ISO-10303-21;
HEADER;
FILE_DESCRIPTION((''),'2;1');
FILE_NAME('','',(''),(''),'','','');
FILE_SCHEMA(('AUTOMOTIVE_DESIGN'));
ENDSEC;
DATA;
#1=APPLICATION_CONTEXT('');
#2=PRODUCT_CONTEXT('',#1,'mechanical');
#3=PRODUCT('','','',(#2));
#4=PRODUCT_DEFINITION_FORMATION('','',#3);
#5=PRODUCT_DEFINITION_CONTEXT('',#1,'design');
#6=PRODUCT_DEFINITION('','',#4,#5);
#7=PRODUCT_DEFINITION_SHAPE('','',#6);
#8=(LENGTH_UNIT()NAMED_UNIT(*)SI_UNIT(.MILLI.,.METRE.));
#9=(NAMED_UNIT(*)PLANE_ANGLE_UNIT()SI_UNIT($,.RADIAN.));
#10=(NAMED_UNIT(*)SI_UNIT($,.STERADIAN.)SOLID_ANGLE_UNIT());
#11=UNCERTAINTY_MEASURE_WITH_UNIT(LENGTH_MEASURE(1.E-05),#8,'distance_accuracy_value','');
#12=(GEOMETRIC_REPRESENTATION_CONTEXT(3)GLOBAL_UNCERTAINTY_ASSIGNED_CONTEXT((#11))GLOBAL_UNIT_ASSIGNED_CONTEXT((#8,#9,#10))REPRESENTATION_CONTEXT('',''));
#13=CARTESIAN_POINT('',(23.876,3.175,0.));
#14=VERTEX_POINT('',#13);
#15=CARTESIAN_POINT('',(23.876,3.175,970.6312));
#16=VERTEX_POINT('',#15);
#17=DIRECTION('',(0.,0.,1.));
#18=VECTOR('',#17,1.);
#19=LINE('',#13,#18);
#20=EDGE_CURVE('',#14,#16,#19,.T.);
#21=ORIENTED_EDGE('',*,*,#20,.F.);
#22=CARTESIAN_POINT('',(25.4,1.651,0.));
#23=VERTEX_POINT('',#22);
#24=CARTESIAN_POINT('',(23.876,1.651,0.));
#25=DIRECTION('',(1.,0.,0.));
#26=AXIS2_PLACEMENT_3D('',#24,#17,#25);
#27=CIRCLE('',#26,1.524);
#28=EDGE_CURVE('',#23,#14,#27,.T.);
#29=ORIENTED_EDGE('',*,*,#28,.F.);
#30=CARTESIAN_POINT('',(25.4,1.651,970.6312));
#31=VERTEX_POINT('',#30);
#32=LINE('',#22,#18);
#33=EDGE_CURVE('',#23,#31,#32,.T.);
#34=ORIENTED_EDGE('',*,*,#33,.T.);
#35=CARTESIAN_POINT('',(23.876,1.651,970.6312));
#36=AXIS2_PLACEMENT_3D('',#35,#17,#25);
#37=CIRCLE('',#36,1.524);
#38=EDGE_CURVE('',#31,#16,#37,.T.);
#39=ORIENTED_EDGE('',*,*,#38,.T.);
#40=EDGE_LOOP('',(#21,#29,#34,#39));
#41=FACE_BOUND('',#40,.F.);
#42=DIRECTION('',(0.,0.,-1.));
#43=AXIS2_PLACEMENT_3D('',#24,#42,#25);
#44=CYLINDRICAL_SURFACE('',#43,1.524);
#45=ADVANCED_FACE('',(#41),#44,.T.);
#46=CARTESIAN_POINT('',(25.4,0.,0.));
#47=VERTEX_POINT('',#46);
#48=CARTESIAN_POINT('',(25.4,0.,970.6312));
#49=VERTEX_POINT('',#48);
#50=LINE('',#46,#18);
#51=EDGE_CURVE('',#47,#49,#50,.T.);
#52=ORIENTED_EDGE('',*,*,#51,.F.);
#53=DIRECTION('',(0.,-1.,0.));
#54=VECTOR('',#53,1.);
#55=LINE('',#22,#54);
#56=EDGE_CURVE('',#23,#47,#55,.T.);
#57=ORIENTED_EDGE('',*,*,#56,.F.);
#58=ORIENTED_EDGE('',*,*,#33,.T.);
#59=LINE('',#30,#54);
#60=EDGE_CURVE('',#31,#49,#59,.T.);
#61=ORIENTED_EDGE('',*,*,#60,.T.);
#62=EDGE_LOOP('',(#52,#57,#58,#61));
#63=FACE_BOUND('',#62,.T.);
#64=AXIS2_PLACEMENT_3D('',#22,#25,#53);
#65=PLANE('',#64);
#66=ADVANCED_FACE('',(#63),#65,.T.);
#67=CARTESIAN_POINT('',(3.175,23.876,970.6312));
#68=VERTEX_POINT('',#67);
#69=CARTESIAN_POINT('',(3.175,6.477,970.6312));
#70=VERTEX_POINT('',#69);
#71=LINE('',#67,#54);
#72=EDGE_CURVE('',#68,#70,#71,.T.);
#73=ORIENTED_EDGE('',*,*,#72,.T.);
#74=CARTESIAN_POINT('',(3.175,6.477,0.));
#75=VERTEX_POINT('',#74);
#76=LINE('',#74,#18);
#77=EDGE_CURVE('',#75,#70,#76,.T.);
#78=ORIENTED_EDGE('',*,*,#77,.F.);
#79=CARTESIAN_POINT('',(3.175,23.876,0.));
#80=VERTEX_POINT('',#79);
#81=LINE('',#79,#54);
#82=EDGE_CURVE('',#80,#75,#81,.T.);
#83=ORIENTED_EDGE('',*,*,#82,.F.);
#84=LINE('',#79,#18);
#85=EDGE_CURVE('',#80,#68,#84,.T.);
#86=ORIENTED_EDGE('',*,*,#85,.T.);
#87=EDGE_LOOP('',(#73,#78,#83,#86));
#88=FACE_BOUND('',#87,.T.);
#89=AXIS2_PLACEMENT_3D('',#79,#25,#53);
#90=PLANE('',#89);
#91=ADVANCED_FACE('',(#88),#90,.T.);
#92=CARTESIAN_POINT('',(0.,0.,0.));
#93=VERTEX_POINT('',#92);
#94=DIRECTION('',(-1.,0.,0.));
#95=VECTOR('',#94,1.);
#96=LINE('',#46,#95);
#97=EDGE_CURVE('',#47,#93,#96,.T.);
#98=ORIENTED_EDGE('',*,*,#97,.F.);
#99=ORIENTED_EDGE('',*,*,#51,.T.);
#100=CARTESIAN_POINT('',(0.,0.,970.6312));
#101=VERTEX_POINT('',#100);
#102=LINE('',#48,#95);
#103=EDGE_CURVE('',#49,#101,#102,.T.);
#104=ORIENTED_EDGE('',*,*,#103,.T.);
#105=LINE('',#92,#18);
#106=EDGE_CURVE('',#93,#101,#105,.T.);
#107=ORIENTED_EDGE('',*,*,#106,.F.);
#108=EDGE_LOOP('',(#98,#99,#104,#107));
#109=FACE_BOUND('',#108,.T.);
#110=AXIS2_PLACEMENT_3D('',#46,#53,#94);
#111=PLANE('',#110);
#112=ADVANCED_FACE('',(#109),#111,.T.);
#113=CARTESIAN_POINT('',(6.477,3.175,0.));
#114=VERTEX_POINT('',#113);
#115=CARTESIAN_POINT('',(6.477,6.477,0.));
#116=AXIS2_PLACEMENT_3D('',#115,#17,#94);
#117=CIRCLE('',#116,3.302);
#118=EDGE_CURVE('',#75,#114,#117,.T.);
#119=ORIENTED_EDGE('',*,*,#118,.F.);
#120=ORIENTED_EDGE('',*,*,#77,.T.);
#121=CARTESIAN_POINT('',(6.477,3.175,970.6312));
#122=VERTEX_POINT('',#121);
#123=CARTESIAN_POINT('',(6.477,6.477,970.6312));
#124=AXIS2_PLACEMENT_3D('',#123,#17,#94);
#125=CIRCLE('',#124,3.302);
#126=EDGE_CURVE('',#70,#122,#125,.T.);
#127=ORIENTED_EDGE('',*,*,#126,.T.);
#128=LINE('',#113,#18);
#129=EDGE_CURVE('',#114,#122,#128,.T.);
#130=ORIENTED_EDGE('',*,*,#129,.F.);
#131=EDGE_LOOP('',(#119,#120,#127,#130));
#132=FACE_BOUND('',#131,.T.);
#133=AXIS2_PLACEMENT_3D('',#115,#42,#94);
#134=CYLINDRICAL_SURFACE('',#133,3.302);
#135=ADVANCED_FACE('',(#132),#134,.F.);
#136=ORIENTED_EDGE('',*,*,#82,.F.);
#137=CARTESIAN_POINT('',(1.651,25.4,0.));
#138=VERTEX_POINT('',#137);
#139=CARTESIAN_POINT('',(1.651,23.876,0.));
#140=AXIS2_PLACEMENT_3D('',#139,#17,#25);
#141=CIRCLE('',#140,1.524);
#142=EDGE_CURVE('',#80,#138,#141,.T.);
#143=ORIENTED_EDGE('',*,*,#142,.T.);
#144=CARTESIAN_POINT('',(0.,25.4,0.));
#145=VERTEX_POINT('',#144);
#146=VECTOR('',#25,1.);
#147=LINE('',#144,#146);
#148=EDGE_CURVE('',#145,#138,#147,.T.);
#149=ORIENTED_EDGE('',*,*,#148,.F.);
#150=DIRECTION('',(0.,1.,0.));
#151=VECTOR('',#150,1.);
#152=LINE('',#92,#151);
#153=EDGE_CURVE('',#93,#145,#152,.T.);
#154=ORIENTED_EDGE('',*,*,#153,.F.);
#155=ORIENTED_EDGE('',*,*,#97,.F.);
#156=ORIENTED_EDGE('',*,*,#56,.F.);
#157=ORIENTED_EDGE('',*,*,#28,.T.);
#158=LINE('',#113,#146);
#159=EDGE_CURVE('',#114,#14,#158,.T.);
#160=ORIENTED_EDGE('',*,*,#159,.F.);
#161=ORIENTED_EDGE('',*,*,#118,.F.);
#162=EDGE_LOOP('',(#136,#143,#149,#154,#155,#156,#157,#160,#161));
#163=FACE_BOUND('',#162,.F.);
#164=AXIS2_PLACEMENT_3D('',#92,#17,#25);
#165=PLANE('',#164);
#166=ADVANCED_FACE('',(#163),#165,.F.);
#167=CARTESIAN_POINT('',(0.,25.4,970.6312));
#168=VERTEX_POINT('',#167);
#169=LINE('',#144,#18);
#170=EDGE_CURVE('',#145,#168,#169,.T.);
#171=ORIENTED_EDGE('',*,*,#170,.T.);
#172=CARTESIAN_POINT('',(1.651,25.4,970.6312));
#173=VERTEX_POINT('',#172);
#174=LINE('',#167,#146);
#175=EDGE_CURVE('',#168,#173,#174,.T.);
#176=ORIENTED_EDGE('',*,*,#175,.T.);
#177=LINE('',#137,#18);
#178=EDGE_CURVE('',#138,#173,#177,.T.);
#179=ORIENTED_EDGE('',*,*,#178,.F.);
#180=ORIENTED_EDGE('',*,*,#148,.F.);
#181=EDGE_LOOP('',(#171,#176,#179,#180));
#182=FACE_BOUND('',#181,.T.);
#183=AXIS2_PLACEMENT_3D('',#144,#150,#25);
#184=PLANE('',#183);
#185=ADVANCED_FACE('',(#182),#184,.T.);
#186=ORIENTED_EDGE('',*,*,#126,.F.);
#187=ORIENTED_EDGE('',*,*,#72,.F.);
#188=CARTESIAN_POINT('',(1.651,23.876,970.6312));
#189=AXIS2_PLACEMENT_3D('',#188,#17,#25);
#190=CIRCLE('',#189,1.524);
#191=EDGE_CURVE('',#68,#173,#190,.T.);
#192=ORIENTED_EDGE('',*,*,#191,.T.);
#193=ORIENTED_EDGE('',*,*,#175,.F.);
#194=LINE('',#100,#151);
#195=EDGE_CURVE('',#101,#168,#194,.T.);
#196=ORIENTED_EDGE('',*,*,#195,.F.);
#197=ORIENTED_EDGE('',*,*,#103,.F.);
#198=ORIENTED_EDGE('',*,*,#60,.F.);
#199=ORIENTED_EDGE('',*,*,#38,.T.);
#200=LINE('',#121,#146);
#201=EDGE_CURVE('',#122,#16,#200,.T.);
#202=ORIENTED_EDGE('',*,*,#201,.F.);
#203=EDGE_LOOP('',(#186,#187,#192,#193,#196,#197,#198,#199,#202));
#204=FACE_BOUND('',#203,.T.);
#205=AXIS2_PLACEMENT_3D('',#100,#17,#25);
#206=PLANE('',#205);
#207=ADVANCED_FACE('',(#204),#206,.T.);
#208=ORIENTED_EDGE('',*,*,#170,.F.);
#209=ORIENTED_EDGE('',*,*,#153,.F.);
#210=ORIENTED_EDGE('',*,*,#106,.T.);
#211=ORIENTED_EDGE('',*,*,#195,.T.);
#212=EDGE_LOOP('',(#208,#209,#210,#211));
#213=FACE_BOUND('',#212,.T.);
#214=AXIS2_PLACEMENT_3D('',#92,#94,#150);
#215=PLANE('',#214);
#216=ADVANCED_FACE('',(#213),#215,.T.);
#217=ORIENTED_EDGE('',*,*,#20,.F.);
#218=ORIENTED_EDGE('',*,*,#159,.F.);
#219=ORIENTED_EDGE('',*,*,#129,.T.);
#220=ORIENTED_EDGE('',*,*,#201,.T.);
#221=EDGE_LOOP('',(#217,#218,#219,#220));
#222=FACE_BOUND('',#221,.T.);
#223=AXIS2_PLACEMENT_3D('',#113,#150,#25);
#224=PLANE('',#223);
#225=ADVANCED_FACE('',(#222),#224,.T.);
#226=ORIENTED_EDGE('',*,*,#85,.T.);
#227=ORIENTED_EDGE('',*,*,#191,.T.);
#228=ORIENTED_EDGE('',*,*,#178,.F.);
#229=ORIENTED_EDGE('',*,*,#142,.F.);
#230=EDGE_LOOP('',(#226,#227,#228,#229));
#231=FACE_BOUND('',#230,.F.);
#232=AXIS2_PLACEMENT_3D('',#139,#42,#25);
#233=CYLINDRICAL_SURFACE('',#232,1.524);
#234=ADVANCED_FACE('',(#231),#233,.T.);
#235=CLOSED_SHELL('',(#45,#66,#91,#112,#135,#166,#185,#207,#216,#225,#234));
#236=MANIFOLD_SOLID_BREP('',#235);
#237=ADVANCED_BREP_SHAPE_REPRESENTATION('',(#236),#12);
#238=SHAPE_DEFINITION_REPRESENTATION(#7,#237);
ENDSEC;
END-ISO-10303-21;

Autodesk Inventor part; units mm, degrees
ref_plane "YZ Plane" through (0, 0, 0) normal (1, 0, 0) x (0, 1, 0)
ref_plane "Start Plane" through (0, 0, 0) normal (0, 0, 1) x (1, 0, 0)
ref_plane "End Plane" through (0, 0, 970.6312) normal (0, 0, 1) x (1, 0, 0)
sketch "Sketch" plane through (0, 0, 0) normal (0, 0, 1) x (1, 0, 0)
  line L0 (25.4, 0) -> (0, 0)
  line L1 (0, 0) -> (0, 25.4)
  line L2 (0, 25.4) -> (1.651, 25.4)
  line L3 (3.175, 23.876) -> (3.175, 6.477)
  line L4 (6.477, 3.175) -> (23.876, 3.175)
  line L5 (25.4, 1.651) -> (25.4, 0)
  line L6 (0, -11.0414) -> (0, 31.5385) construction
  line L7 (-11.0414, 0) -> (31.5385, 0) construction
  arc A0 (3.175, 6.477) -> (6.477, 3.175) centre (6.477, 6.477) ccw
  arc A1 (3.175, 23.876) -> (1.651, 25.4) centre (1.651, 23.876) ccw
  arc A2 (25.4, 1.651) -> (23.876, 3.175) centre (23.876, 1.651) ccw
  line L8 (0, 40.0545) -> (0, -19.5574) construction
  line L9 (-19.5574, 0) -> (40.0545, 0) construction
  point P0 (3.175, 25.4)
  point P1 (3.175, 3.175)
  point P2 (25.4, 3.175)
  dimension "d0" = 25.4
  dimension "d1" = 25.4
  dimension "d2" = 3.175
  dimension "d3" = 3.175
  dimension "d10" = 0
  dimension "d11" = 0
  dimension "d14" = 3.302
  dimension "d15" = 1.524
extrude "Body" add sketch "Sketch" along normal up to surface (970.6312 mm away) from surface at 0
sketch "Sketch3" plane through (0, 0, 0) normal (0, 0, 1) x (1, 0, 0)
  line L0 (0, 0) -> (10, 0)
ref_plane "Work Plane3" through (0, 0, 0) normal (0, -1, 0) x (1, 0, 0)
sketch "Sketch4" plane through (0, 0, 0) normal (0, -1, 0) x (1, 0, 0)
  line L0 (-2, 0) -> (12, 0) projected
  line L1 (-2, 970.6312) -> (12, 970.6312) projected
  dimension "d17" = 970.6312
equation "\"d0\" = G_H"
equation "\"d1\" = G_H"
equation "\"d2\" = G_T"
equation "\"d3\" = G_T"
equation "\"d14\" = G_IR"
equation "\"d15\" = G_ER"
equation "\"d4\" = G_L"
equation "\"G_H\" = 25.4"
equation "\"G_T\" = 3.175"
equation "\"G_ER\" = 1.524"
equation "\"G_IR\" = 3.302"
equation "\"G_L\" = d17"
equation "\"ex\" = 0"
equation "\"G_OFFSET_START\" = 0"
equation "\"G_OFFSET_END\" = 0"
equation "\"d13\" = G_OFFSET_END + B_L"
equation "\"B_L\" = 970.63124"
properties part number "AISC - L 1 x 1 x 1/8 - 38.214" material "Steel, Mild"
